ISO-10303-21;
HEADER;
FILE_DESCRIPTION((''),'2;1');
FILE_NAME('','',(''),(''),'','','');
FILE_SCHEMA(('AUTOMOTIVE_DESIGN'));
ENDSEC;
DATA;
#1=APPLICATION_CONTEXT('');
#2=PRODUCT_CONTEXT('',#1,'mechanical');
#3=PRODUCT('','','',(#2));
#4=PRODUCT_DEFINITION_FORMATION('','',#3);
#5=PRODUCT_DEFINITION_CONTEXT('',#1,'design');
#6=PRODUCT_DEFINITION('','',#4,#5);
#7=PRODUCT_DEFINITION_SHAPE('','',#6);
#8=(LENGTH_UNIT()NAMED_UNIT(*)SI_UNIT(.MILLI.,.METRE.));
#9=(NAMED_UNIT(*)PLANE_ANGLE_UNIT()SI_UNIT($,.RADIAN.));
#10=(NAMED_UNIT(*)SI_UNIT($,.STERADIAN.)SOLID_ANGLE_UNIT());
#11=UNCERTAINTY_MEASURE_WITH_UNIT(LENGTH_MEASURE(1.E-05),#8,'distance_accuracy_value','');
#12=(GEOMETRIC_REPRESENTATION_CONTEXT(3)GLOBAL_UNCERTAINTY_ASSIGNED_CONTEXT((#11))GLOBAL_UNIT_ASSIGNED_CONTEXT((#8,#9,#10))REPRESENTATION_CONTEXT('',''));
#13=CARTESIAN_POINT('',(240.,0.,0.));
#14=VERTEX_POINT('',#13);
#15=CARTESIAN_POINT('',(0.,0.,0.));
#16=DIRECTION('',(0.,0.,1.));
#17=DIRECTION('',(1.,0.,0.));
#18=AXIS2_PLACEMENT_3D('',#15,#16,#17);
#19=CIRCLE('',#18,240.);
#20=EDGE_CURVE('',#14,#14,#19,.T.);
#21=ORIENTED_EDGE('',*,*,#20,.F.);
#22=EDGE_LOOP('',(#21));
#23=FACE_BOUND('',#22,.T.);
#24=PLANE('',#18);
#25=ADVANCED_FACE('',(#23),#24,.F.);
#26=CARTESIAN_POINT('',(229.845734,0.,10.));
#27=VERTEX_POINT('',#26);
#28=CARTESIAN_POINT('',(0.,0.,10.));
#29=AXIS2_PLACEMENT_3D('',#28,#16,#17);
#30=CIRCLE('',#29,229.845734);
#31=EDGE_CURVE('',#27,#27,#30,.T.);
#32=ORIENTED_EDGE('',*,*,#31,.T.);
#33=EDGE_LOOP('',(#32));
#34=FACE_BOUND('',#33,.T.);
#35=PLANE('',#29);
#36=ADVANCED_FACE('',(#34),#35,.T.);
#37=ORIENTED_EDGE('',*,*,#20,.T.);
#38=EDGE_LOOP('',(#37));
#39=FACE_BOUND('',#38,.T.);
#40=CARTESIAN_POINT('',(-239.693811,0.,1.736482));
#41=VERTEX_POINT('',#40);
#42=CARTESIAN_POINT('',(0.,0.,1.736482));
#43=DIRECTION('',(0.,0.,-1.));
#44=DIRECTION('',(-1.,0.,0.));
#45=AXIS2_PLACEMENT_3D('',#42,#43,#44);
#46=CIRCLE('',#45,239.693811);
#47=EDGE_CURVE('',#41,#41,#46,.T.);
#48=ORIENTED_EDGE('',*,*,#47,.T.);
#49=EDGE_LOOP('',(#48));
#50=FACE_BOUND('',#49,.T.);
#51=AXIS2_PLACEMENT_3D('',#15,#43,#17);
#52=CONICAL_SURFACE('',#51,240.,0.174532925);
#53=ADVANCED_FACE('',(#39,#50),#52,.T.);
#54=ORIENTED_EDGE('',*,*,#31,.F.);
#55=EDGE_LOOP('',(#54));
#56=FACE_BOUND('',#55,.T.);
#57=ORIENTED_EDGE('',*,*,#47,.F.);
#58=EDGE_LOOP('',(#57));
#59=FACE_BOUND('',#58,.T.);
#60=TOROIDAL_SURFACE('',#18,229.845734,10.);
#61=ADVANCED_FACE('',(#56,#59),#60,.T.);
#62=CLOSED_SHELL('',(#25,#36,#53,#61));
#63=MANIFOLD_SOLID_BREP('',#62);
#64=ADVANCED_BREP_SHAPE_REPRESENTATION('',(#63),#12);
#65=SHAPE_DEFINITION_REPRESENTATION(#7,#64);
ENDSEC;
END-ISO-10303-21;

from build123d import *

# Parameters (mm, degrees)
SKETCH1_R           = 240
BOSS_EXTRUDE1_DEPTH = 10
BOSS_EXTRUDE1_TAPER = 10
FILLET1_R           = 10


with BuildPart() as part:
    # Sketch1 → Boss-Extrude1 (new body)
    with BuildSketch(Plane.XY):
        Circle(SKETCH1_R)
    extrude(amount=BOSS_EXTRUDE1_DEPTH, taper=BOSS_EXTRUDE1_TAPER)

    # Fillet1
    fillet1_edges = [part.edges().sort_by_distance(p)[0] for p in [
        (-238.236730193, 0, 10),
    ]]
    fillet(fillet1_edges, radius=FILLET1_R)


solid = part.part
